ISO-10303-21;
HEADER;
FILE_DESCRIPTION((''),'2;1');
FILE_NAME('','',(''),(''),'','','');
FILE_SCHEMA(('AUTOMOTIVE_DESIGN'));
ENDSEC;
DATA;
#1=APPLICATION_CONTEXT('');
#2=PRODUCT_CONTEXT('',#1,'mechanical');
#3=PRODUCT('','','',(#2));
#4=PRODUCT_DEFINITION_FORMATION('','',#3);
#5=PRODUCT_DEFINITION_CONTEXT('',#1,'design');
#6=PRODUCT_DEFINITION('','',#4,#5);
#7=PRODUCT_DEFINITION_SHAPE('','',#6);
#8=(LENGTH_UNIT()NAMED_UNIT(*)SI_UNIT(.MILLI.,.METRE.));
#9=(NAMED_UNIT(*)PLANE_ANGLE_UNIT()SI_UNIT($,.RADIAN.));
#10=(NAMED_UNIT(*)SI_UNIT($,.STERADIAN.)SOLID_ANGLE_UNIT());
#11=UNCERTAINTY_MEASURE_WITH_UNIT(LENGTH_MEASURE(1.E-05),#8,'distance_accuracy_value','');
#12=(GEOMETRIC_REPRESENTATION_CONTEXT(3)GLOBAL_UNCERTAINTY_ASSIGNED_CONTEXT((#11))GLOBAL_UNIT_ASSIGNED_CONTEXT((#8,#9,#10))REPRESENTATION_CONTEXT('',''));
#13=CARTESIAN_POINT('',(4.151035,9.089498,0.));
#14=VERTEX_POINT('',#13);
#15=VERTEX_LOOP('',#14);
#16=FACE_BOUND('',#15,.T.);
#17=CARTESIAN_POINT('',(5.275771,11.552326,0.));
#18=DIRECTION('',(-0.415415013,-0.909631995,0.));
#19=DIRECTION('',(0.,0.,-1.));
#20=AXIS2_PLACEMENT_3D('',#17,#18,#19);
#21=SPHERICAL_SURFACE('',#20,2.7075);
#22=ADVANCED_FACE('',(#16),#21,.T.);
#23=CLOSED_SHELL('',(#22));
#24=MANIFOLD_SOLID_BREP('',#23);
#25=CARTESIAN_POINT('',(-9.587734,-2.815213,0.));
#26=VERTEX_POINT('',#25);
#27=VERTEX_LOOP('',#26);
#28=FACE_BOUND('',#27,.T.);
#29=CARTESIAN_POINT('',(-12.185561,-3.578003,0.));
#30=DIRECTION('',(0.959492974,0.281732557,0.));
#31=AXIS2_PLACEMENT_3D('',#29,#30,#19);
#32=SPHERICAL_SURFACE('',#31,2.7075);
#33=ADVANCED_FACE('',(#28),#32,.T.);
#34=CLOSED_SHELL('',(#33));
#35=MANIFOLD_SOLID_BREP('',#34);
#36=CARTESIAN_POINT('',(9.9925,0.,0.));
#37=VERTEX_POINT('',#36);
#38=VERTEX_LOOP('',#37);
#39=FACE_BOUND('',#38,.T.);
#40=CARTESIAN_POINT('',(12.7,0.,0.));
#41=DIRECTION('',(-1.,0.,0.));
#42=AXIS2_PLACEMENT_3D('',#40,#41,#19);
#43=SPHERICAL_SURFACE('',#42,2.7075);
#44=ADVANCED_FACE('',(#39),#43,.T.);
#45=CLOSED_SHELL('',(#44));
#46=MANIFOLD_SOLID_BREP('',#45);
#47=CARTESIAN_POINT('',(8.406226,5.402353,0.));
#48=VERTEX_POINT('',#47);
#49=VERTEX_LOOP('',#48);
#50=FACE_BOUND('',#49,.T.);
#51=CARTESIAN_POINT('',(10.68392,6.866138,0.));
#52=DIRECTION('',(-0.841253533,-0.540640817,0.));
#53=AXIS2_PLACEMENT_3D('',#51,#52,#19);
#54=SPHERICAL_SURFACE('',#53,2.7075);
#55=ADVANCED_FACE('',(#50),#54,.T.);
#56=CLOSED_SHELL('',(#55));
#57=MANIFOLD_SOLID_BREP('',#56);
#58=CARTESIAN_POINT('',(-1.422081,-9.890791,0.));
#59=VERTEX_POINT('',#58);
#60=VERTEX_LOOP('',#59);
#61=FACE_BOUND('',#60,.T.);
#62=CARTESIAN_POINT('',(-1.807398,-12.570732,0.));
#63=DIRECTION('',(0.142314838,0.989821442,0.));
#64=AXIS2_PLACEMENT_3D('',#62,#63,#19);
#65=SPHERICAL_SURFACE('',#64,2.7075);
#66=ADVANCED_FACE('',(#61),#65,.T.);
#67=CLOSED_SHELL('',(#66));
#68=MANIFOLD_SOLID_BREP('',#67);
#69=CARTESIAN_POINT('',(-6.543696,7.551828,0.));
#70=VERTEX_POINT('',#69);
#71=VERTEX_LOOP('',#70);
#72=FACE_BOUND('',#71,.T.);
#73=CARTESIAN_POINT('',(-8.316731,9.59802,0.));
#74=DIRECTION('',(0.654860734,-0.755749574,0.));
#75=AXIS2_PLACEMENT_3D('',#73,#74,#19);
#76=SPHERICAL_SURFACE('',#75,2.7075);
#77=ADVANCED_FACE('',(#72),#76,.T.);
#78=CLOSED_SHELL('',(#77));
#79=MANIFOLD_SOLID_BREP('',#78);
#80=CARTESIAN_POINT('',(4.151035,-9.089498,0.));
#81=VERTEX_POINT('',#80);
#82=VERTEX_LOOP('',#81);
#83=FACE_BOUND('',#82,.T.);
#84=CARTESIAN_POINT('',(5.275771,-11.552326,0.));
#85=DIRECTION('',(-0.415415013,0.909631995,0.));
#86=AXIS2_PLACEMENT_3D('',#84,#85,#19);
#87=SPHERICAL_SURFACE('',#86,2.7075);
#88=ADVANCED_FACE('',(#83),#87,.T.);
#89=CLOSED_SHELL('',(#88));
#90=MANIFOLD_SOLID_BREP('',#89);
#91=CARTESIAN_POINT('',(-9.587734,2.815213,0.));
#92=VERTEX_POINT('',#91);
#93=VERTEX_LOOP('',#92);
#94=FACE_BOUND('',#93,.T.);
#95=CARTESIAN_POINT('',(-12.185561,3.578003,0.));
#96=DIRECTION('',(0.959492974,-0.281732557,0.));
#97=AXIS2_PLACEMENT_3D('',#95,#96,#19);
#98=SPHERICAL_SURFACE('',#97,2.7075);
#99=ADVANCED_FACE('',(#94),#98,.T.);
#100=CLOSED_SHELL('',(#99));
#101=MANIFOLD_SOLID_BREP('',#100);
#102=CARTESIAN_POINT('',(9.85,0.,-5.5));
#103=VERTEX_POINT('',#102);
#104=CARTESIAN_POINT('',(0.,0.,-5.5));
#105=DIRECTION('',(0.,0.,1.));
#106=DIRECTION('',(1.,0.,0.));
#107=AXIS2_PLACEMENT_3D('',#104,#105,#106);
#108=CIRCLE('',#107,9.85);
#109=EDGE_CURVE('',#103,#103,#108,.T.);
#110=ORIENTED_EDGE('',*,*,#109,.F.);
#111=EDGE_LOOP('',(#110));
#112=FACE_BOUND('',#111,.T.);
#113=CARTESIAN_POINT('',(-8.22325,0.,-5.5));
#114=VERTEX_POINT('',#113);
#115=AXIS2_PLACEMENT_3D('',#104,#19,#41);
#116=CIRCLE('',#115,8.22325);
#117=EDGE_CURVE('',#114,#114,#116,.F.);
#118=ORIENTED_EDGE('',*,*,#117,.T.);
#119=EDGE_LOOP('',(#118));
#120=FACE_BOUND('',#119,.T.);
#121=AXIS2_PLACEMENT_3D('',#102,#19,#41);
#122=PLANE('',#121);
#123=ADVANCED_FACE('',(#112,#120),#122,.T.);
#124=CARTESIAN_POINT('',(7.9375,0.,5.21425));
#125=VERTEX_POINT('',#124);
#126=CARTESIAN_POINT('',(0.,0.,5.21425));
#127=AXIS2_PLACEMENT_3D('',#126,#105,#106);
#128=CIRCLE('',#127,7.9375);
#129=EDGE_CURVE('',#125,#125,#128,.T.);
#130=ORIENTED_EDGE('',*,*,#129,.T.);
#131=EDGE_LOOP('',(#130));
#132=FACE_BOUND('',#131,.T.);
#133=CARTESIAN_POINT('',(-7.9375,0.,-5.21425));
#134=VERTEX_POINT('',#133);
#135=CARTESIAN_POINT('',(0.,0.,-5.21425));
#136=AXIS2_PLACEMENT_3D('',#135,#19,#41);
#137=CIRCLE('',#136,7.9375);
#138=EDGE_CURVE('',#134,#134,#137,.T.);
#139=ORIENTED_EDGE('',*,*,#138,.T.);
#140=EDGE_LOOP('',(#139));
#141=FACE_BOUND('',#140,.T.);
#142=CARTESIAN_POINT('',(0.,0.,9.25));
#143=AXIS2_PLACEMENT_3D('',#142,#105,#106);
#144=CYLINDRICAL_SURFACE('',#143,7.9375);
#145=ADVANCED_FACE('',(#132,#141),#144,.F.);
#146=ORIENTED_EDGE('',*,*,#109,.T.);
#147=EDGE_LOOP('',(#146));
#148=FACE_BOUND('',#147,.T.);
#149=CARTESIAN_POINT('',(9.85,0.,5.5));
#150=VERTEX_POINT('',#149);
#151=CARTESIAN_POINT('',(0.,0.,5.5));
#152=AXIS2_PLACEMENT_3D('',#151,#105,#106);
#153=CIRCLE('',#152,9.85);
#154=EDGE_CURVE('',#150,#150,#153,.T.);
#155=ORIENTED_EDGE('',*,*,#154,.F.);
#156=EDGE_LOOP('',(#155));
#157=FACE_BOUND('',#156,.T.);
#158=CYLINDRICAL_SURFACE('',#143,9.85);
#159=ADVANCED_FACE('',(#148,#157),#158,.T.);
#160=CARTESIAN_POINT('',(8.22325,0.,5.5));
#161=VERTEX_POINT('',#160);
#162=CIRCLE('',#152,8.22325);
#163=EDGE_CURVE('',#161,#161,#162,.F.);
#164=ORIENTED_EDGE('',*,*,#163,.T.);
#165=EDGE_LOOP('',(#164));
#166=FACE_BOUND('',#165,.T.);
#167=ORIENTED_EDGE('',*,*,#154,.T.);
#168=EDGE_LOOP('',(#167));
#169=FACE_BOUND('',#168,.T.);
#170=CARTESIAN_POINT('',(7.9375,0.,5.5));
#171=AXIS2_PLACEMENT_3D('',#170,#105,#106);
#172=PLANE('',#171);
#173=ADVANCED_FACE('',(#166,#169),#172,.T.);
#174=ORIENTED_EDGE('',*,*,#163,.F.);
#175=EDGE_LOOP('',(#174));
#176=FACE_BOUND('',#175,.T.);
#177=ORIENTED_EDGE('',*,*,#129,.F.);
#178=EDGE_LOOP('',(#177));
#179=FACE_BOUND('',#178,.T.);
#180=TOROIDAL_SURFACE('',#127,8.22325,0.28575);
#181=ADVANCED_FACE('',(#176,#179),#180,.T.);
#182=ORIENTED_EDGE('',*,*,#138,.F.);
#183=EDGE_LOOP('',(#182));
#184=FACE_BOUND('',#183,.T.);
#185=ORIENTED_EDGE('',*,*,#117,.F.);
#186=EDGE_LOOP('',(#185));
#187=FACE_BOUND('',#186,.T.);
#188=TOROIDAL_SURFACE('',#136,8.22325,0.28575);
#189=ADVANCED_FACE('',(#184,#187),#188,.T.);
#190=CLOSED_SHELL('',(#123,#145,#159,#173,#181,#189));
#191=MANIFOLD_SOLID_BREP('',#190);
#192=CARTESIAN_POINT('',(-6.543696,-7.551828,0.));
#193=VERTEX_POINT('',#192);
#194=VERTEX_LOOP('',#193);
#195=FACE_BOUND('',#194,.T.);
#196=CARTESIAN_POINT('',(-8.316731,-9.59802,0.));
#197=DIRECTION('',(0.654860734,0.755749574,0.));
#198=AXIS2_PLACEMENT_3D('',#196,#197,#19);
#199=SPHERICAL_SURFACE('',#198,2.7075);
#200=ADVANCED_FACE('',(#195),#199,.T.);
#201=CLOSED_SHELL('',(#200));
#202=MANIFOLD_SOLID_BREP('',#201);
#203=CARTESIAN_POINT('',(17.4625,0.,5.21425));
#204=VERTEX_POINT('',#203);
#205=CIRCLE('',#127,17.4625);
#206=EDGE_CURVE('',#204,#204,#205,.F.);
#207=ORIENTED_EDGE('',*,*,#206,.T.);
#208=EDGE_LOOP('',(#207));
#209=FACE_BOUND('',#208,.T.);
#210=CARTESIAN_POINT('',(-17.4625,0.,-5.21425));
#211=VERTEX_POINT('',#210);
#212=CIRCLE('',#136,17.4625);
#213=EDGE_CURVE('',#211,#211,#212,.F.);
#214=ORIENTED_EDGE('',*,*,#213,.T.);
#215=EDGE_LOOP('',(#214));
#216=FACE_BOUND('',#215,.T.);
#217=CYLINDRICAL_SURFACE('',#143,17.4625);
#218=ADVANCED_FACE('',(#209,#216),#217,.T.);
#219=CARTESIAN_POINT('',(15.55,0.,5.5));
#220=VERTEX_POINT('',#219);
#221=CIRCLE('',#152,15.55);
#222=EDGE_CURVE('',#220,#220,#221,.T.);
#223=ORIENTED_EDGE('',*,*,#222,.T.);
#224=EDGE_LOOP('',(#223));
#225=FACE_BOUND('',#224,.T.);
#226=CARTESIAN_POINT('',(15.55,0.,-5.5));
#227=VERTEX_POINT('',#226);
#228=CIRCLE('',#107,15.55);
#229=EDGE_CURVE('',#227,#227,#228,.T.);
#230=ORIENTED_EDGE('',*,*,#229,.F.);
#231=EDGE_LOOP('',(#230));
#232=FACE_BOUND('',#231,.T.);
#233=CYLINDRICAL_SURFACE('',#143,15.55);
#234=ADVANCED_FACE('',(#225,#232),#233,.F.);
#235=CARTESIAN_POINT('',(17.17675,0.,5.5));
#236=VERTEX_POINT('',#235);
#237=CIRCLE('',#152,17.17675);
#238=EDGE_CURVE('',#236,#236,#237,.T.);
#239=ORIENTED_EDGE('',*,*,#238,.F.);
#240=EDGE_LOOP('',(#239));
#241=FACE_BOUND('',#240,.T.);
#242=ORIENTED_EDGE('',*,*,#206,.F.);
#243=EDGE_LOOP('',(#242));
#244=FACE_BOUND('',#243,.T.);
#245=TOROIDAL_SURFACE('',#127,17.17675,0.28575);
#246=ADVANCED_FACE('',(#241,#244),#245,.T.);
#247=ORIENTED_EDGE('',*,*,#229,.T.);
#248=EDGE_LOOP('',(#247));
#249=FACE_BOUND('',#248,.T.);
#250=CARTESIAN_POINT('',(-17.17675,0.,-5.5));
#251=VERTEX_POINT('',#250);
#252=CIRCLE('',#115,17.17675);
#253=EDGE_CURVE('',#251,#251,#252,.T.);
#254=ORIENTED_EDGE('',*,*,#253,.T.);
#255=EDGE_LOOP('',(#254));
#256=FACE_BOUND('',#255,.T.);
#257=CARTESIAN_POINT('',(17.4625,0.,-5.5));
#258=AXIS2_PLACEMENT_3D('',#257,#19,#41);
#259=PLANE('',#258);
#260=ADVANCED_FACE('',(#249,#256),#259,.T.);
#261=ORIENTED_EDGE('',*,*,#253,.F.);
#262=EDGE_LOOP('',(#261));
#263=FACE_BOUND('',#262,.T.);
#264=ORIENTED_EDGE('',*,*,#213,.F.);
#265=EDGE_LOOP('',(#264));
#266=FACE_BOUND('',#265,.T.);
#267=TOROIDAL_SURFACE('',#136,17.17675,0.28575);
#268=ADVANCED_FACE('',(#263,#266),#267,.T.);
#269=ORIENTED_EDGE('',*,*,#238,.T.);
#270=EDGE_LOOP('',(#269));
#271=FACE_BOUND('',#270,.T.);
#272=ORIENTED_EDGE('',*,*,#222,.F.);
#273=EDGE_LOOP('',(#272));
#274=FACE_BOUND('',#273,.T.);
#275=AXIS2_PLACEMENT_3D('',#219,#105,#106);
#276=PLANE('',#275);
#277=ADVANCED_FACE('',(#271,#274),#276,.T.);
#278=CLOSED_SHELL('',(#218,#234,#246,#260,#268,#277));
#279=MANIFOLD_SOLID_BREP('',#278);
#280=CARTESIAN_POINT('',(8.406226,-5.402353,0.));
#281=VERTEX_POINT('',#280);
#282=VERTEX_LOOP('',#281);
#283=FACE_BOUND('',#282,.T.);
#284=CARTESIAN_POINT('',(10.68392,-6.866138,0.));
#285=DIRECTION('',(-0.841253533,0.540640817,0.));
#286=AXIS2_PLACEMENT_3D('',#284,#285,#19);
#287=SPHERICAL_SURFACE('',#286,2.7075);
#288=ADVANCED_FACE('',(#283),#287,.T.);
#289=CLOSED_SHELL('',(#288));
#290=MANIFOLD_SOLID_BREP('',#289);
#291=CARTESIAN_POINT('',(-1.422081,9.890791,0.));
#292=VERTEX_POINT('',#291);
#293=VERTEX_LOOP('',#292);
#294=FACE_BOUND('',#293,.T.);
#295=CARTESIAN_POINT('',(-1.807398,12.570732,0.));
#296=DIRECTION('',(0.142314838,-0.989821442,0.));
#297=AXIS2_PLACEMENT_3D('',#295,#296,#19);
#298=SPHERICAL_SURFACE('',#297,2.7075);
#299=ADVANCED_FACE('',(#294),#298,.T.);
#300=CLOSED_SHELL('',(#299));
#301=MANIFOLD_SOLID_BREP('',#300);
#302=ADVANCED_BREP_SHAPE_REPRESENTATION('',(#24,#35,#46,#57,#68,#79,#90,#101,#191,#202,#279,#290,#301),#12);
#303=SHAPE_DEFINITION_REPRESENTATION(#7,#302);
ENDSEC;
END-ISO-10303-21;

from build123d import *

# Parameters (mm, degrees)
INNERS_W           = 1.9125
INNERS_H           = 11
OUTERS_W           = 1.9125
OUTERS_H           = 11
BALLSPATTERN_COUNT = 11
FILLET_F1_R        = 0.28575
FILLET_F2_R        = 0.28575


with BuildPart() as part:
    # InnerS → InnerRing (revolve)
    with BuildSketch(Plane(origin=(0, 0, 0), x_dir=(1, 0, 0), z_dir=(0, 1, 0))):
        with Locations((8.89375, 0)):
            Rectangle(INNERS_W, INNERS_H)
    revolve(axis=Axis((0, 0, 9.25), (0, 0, -1)))

    # Fillet F2
    fillet_f2_edges = [part.edges().sort_by_distance(p)[0] for p in [
        (-7.9375, 0, -5.5),
        (-7.9375, 0, 5.5),
    ]]
    fillet(fillet_f2_edges, radius=FILLET_F2_R)


with BuildPart() as body_2:
    # OuterS → OuterRing (revolve)
    with BuildSketch(Plane(origin=(0, 0, 0), x_dir=(1, 0, 0), z_dir=(0, 1, 0))):
        with Locations((16.50625, 0)):
            Rectangle(OUTERS_W, OUTERS_H)
    revolve(axis=Axis((0, 0, 9.25), (0, 0, -1)))

    # Fillet F1
    fillet_f1_edges = [body_2.edges().sort_by_distance(p)[0] for p in [
        (-17.4625, 0, -5.5),
        (-17.4625, 0, 5.5),
    ]]
    fillet(fillet_f1_edges, radius=FILLET_F1_R)


with BuildPart() as body_3:
    # BallS → Ball (revolve)
    with BuildSketch(Plane(origin=(0, 0, 0), x_dir=(1, 0, 0), z_dir=(0, 1, 0))):
        with BuildLine():
            Line((9.9925, 0), (15.4075, 0))
            ThreePointArc((15.4075, 0), (12.7, -2.7075), (9.9925, 0))
        make_face()
    revolve(axis=Axis((9.9925, 0, 0), (1, 0, 0)))


with BuildPart() as ballspattern_1:
    # BallsPattern: pattern copy
    add(body_3.part.rotate(Axis((0, 0, -6.05), (0, 0, 1)), 1 * 360 / BALLSPATTERN_COUNT))


with BuildPart() as ballspattern_2:
    # BallsPattern: pattern copy
    add(body_3.part.rotate(Axis((0, 0, -6.05), (0, 0, 1)), 2 * 360 / BALLSPATTERN_COUNT))


with BuildPart() as ballspattern_3:
    # BallsPattern: pattern copy
    add(body_3.part.rotate(Axis((0, 0, -6.05), (0, 0, 1)), 3 * 360 / BALLSPATTERN_COUNT))


with BuildPart() as ballspattern_4:
    # BallsPattern: pattern copy
    add(body_3.part.rotate(Axis((0, 0, -6.05), (0, 0, 1)), 4 * 360 / BALLSPATTERN_COUNT))


with BuildPart() as ballspattern_5:
    # BallsPattern: pattern copy
    add(body_3.part.rotate(Axis((0, 0, -6.05), (0, 0, 1)), 5 * 360 / BALLSPATTERN_COUNT))


with BuildPart() as ballspattern_6:
    # BallsPattern: pattern copy
    add(body_3.part.rotate(Axis((0, 0, -6.05), (0, 0, 1)), 6 * 360 / BALLSPATTERN_COUNT))


with BuildPart() as ballspattern_7:
    # BallsPattern: pattern copy
    add(body_3.part.rotate(Axis((0, 0, -6.05), (0, 0, 1)), 7 * 360 / BALLSPATTERN_COUNT))


with BuildPart() as ballspattern_8:
    # BallsPattern: pattern copy
    add(body_3.part.rotate(Axis((0, 0, -6.05), (0, 0, 1)), 8 * 360 / BALLSPATTERN_COUNT))


with BuildPart() as ballspattern_9:
    # BallsPattern: pattern copy
    add(body_3.part.rotate(Axis((0, 0, -6.05), (0, 0, 1)), 9 * 360 / BALLSPATTERN_COUNT))


with BuildPart() as ballspattern_10:
    # BallsPattern: pattern copy
    add(body_3.part.rotate(Axis((0, 0, -6.05), (0, 0, 1)), 10 * 360 / BALLSPATTERN_COUNT))


solid = Compound([part.part, body_2.part, body_3.part, ballspattern_1.part, ballspattern_2.part, ballspattern_3.part, ballspattern_4.part, ballspattern_5.part, ballspattern_6.part, ballspattern_7.part, ballspattern_8.part, ballspattern_9.part, ballspattern_10.part])
